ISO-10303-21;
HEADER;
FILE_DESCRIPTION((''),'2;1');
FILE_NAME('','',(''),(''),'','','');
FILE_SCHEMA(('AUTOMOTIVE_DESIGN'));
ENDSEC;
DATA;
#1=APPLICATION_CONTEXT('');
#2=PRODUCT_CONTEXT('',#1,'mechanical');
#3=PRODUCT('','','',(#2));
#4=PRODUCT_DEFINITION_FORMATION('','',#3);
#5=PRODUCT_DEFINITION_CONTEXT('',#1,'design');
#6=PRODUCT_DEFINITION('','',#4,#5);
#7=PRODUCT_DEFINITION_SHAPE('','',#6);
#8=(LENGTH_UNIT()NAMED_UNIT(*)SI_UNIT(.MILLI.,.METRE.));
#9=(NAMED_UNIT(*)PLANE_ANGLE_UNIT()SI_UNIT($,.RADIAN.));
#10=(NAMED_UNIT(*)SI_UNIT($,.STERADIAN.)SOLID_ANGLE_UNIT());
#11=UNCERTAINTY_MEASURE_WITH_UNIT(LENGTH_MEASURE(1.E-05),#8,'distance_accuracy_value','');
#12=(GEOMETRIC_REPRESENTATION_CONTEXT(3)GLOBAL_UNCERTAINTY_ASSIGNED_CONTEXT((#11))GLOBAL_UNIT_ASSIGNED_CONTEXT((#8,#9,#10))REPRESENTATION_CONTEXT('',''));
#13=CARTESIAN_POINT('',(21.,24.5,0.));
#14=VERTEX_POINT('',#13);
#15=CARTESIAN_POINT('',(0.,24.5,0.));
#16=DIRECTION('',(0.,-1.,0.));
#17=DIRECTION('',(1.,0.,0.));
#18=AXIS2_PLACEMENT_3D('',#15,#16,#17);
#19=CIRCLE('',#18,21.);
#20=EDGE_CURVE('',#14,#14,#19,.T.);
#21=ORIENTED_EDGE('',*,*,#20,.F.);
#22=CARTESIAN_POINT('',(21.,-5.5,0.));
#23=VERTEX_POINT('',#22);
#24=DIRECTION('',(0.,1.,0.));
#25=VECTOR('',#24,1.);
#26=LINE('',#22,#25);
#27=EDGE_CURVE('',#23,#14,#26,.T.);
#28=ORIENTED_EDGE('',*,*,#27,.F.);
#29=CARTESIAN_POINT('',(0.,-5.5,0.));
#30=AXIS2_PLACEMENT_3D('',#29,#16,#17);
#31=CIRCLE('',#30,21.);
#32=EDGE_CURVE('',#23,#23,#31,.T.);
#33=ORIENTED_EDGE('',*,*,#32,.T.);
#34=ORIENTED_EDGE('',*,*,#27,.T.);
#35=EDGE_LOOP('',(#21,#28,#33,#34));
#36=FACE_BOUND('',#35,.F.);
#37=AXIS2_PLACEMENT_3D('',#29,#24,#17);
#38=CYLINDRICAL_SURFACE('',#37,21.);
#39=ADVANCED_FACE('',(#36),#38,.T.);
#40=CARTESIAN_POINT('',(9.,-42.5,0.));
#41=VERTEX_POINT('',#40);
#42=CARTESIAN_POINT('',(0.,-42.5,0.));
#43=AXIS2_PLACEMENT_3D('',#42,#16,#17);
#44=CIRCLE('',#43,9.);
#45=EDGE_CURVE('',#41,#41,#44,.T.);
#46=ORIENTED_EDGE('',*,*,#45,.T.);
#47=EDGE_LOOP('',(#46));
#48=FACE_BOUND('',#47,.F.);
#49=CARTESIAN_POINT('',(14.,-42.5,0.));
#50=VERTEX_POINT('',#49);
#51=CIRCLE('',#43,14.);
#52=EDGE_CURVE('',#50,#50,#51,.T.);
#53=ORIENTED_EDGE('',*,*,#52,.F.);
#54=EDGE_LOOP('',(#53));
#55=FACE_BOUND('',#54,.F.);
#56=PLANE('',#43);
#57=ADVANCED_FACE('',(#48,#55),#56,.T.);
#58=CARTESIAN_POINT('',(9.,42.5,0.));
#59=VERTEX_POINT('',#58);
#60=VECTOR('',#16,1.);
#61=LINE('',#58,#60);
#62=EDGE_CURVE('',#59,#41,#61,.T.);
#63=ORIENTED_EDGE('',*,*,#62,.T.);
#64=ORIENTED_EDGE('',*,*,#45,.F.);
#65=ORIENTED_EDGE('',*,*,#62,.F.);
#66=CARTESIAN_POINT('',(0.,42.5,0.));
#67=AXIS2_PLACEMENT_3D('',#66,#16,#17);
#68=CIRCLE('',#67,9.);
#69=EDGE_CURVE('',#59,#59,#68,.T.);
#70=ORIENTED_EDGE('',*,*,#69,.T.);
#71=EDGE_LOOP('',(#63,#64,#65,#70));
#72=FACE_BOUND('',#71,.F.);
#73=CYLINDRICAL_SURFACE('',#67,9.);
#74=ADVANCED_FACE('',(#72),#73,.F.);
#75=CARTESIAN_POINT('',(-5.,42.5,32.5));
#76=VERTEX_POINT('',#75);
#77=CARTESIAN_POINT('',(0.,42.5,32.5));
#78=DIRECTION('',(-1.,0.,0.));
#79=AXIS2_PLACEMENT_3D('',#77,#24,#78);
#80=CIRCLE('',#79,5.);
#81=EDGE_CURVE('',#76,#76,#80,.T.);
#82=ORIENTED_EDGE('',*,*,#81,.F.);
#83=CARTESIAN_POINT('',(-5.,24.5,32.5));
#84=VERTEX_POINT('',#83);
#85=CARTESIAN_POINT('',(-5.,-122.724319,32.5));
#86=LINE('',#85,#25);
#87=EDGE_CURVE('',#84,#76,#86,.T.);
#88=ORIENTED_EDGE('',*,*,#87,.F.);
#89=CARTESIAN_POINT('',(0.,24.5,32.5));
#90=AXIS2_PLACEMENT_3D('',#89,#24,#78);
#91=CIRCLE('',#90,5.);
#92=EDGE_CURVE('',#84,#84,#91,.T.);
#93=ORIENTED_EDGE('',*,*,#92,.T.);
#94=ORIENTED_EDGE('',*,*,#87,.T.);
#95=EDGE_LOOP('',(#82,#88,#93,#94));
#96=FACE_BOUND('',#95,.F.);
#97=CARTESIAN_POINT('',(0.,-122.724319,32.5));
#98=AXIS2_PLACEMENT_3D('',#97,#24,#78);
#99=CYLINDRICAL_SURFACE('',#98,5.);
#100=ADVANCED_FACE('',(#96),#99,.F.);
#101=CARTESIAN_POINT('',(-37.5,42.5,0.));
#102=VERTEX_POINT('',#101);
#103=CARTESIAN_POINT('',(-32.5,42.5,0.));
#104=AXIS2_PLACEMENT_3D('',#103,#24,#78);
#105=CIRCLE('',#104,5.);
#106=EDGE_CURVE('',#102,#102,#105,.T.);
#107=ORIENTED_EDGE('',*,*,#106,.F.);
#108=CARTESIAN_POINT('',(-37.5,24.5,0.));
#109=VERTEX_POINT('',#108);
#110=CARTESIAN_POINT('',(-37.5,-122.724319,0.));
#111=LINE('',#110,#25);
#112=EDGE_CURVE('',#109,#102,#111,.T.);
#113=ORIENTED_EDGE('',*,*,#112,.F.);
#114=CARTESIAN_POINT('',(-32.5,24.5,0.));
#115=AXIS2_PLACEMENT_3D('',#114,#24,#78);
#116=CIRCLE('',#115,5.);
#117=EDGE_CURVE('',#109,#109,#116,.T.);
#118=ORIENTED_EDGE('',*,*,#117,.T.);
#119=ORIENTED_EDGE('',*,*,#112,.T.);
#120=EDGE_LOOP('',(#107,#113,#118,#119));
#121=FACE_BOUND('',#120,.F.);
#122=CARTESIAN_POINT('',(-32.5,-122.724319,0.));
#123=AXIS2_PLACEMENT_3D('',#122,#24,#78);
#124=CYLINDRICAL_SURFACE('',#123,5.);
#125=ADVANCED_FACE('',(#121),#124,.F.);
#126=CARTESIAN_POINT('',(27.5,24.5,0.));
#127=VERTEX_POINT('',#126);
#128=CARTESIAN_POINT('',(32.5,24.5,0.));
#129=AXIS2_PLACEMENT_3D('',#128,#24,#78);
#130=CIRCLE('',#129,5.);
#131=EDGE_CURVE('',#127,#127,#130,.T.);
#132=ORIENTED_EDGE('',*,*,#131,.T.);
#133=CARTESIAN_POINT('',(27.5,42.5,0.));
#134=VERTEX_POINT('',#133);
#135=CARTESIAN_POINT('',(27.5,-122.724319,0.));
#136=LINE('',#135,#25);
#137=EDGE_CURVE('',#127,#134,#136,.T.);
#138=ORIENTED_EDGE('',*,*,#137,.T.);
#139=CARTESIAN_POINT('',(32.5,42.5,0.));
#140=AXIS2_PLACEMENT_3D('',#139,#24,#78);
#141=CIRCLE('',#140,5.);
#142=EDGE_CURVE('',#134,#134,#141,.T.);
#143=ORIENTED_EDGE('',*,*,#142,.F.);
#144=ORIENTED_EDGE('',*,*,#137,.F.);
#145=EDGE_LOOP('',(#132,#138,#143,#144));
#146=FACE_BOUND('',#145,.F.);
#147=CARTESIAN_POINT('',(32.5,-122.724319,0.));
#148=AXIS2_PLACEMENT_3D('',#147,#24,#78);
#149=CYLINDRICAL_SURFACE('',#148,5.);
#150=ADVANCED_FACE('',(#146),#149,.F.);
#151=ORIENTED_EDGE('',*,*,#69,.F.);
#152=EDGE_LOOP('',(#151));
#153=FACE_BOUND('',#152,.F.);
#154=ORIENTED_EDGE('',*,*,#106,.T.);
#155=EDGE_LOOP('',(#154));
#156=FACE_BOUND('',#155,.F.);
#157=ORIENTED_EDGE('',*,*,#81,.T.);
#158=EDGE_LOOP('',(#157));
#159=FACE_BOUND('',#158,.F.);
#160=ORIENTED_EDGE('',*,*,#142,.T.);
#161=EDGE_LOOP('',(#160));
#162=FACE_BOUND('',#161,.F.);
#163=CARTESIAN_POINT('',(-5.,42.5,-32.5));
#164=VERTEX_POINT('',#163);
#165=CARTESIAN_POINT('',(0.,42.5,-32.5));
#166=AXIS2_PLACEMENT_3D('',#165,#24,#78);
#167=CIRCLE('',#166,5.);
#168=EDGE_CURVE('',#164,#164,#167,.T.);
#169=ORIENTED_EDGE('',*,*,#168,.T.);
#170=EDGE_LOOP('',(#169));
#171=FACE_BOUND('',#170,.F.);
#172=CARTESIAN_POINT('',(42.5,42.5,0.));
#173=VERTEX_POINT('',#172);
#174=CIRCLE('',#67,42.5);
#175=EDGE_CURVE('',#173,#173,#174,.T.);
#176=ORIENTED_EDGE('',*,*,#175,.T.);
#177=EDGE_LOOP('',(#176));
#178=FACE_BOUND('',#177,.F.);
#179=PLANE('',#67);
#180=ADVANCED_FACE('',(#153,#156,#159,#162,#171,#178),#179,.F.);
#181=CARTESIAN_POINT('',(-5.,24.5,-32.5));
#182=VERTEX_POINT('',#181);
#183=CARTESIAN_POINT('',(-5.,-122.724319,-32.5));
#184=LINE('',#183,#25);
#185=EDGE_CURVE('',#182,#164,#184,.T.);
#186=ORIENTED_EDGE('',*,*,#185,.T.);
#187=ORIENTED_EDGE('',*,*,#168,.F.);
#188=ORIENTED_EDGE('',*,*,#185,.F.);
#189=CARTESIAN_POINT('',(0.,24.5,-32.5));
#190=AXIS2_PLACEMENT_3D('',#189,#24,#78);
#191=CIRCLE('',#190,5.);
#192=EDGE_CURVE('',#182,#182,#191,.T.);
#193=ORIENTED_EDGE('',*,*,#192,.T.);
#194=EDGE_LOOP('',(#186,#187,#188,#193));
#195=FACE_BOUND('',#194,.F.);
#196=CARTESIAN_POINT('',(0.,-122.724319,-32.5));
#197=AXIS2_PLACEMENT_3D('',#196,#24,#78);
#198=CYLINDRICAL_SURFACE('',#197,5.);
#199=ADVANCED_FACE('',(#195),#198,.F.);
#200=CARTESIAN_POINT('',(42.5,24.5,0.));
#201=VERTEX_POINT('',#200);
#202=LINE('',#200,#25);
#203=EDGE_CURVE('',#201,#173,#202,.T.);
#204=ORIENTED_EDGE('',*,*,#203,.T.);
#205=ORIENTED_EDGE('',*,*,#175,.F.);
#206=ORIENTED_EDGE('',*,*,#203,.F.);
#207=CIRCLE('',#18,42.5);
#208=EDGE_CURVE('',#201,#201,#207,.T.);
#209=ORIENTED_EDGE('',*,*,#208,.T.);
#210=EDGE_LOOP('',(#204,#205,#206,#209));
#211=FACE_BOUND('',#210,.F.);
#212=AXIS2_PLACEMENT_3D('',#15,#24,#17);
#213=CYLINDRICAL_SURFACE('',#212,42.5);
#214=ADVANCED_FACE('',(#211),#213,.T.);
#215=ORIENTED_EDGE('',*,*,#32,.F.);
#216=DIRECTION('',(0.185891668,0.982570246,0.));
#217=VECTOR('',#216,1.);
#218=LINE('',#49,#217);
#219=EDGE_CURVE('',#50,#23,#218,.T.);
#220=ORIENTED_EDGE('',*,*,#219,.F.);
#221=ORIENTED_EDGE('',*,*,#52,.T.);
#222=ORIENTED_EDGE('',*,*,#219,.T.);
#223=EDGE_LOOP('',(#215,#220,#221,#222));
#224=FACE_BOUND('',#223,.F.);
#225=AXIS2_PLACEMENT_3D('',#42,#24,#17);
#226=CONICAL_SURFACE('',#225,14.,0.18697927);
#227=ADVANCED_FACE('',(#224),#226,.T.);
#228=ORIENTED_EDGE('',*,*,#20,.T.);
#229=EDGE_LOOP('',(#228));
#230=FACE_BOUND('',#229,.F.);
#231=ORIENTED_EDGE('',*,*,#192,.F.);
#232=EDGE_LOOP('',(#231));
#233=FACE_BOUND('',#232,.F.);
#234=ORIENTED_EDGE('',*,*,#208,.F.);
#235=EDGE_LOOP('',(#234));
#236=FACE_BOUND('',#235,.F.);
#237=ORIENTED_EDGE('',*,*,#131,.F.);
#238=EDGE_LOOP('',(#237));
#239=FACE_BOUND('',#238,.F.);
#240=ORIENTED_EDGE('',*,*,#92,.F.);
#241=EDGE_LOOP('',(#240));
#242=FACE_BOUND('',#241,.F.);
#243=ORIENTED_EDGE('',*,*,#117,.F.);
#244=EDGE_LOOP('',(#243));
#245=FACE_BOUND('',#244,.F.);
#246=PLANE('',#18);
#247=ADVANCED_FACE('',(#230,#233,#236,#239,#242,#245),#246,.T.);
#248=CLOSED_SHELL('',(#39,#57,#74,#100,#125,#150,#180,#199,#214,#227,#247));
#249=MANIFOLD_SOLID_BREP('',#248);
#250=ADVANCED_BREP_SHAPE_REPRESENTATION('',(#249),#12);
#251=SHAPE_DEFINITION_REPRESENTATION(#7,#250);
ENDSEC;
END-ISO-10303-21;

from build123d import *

# Parameters (mm, degrees)
F3_D = 10


with BuildPart() as f1:
    # F0 (on Top) → F1 (revolve)
    with BuildSketch(Plane.XY):
        Polygon((9, 42.5), (9, -42.5), (14, -42.5), (21, -5.5), (21, 24.5), (42.5, 24.5), (42.5, 42.5), align=None)
    revolve(axis=Axis((0, 0, 0), (0, -1, 0)))

    # F3 (through all)
    with Locations(Plane.XZ.offset(-24.5)):
        with Locations((0, 32.5), (32.5, 0), (0, -32.5), (-32.5, 0)):
            Hole(F3_D / 2)


solid = f1.part
